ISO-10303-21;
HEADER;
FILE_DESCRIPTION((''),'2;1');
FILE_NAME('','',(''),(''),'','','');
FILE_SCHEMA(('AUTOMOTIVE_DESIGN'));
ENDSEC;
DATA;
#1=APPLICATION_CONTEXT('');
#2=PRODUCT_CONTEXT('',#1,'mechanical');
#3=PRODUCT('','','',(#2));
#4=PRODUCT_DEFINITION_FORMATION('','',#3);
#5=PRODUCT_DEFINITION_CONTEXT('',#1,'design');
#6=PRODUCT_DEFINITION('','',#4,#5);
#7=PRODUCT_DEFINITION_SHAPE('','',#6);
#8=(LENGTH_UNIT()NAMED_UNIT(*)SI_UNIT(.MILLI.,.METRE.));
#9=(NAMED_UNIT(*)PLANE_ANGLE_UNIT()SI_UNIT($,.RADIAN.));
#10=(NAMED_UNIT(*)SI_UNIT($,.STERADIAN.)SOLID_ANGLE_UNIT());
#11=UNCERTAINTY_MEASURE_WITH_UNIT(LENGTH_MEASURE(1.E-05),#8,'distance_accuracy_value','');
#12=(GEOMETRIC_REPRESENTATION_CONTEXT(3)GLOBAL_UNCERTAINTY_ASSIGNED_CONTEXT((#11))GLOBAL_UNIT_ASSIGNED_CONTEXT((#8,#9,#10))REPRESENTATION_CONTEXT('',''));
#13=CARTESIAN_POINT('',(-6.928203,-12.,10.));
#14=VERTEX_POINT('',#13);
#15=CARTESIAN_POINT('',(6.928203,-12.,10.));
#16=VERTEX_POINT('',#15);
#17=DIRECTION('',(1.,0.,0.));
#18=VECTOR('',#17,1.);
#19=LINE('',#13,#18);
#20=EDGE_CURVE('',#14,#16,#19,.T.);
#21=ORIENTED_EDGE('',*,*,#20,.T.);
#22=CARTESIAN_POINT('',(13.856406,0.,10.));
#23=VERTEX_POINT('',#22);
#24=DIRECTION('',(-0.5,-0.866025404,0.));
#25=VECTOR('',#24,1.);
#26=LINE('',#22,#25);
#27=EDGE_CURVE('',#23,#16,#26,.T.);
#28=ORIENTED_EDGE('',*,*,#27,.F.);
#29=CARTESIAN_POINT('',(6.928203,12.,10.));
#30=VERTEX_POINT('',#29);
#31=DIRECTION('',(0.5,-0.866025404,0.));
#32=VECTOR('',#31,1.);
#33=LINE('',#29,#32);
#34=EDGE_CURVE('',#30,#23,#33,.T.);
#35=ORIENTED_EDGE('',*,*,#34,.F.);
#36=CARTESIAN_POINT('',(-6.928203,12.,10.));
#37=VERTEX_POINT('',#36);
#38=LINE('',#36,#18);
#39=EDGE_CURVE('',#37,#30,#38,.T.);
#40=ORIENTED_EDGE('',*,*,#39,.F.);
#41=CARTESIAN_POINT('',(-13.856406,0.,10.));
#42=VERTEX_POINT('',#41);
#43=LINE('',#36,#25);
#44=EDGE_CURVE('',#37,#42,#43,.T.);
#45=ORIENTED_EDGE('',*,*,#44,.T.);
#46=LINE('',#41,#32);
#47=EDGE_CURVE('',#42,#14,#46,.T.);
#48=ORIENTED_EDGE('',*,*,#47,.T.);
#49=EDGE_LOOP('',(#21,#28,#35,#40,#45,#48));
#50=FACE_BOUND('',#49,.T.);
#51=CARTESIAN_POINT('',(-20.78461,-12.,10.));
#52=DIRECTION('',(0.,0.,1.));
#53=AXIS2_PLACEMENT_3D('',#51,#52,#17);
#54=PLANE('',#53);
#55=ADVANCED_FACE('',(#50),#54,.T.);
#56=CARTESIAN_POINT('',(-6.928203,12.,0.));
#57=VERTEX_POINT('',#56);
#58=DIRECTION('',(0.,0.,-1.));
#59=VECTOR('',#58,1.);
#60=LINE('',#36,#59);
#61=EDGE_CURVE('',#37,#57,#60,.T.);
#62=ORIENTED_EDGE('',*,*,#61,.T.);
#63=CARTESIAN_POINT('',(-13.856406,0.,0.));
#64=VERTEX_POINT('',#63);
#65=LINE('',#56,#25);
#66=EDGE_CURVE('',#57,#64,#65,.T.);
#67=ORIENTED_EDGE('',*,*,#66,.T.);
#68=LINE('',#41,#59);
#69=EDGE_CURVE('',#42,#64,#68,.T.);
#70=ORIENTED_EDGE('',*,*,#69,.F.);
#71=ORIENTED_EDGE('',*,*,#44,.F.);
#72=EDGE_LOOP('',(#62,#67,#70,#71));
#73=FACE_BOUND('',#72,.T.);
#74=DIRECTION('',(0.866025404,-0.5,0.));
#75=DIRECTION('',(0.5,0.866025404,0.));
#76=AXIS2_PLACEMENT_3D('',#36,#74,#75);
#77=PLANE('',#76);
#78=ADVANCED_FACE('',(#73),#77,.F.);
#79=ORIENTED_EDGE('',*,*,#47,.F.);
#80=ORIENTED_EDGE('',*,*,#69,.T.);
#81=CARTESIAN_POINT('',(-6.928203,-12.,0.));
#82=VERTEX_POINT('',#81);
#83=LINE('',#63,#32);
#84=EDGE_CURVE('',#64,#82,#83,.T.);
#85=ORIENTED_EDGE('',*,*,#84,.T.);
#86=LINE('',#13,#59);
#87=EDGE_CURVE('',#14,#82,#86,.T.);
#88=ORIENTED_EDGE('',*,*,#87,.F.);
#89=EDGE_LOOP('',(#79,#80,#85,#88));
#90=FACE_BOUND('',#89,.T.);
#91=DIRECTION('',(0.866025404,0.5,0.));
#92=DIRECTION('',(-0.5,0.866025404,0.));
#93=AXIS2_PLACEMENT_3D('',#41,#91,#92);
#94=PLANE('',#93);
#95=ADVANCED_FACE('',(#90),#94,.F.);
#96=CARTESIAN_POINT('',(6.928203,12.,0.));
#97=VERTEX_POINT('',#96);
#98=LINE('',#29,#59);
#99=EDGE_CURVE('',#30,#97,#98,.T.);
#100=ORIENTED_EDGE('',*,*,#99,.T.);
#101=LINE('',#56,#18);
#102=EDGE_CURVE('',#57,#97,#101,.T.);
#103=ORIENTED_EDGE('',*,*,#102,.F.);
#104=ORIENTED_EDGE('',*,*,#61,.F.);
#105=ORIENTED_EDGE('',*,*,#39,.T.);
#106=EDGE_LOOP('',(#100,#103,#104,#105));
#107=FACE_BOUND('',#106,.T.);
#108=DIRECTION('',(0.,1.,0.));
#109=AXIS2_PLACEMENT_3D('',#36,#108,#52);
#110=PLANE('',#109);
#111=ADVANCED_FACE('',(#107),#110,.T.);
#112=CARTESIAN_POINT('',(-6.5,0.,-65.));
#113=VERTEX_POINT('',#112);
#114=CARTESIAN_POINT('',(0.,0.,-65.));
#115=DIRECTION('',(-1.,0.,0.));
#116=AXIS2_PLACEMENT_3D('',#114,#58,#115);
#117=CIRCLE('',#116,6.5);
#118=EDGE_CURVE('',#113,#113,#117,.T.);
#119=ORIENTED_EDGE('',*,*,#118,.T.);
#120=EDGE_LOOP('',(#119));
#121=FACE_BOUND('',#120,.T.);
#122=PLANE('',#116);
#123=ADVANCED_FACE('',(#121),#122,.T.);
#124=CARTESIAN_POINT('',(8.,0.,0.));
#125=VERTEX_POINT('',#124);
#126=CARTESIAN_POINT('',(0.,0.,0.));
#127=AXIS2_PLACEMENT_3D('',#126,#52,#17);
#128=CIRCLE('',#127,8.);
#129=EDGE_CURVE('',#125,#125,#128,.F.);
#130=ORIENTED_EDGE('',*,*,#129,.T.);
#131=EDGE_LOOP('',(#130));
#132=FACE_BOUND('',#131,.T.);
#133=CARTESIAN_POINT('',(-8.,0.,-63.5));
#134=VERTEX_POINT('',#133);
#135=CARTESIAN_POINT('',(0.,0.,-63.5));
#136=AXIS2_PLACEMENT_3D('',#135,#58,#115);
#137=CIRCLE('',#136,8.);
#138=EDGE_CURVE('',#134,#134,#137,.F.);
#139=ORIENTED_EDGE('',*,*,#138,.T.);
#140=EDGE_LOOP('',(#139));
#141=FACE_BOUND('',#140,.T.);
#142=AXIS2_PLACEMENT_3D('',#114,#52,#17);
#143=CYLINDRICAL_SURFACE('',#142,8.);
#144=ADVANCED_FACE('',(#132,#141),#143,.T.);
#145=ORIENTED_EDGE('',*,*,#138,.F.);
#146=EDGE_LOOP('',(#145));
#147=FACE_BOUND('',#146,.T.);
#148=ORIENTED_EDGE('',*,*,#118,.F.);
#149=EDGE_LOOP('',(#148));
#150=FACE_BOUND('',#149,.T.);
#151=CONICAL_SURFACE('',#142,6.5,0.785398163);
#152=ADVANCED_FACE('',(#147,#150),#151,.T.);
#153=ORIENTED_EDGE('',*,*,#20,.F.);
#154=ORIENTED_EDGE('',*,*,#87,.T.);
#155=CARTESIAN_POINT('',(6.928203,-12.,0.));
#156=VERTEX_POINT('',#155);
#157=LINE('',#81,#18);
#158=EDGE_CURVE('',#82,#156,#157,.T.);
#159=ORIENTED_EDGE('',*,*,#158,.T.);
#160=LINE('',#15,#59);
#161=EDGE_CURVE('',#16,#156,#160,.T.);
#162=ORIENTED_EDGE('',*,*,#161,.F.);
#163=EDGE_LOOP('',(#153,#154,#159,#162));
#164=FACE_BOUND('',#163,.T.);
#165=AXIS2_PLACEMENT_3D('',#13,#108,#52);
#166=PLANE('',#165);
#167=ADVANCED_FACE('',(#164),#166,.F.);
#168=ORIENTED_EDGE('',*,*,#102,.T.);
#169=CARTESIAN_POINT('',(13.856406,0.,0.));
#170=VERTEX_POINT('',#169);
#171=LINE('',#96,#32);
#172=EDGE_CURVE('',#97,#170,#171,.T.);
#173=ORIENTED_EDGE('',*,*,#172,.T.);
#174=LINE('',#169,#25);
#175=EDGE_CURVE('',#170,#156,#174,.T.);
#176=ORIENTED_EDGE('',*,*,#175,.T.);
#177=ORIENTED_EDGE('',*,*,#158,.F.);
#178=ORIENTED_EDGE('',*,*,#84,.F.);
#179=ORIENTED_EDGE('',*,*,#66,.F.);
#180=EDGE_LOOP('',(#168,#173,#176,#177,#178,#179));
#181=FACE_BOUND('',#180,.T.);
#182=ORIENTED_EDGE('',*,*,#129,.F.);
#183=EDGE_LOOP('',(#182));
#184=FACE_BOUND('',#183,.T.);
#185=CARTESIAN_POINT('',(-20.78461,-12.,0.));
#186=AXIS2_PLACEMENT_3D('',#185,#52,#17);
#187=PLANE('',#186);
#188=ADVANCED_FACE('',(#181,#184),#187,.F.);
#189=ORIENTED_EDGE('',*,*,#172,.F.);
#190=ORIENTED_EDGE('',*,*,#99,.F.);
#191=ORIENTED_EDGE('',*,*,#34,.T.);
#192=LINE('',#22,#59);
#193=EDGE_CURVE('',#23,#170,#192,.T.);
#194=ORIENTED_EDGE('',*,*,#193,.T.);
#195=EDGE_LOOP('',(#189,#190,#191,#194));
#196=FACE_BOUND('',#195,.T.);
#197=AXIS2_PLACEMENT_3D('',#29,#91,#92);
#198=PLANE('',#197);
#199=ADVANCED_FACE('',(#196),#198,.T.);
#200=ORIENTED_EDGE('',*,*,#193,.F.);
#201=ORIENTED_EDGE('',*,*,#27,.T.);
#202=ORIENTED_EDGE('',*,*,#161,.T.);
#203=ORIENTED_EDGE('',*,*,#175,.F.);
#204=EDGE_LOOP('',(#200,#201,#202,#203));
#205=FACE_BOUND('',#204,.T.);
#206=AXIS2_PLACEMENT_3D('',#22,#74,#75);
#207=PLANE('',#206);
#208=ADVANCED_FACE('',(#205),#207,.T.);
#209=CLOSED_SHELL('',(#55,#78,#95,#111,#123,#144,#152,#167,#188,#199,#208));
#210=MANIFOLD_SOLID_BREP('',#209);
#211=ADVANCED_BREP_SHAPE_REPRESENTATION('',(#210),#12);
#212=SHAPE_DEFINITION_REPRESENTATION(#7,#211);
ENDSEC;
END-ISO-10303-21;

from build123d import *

# Parameters (mm, degrees)
BASE_EXTRUDE_DEPTH  = 10
SKETCH3_R           = 8
BOSS_EXTRUDE1_DEPTH = 65
CHAMFER1_SIZE       = 1.5


with BuildPart() as part:
    # Sketch1 → Base-Extrude (new body)
    with BuildSketch(Plane.XY):
        Polygon((-6.92820323, 12), (6.92820323, 12), (13.856406461, 0), (6.92820323, -12), (-6.92820323, -12), (-13.856406461, 0), align=None)
    extrude(amount=BASE_EXTRUDE_DEPTH)

    # Sketch3 → Boss-Extrude1 (add)
    with BuildSketch(Plane(origin=(0, 0, 0), x_dir=(-1, 0, 0), z_dir=(0, 0, -1))):
        with Locations(Location((0, 0, 0), (0, 0, 180))):
            Circle(SKETCH3_R)
    extrude(amount=BOSS_EXTRUDE1_DEPTH)

    # Chamfer1
    chamfer1_edges = [part.edges().sort_by_distance(p)[0] for p in [
        (-8, 0, -65),
    ]]
    chamfer(chamfer1_edges, length=CHAMFER1_SIZE)


solid = part.part
